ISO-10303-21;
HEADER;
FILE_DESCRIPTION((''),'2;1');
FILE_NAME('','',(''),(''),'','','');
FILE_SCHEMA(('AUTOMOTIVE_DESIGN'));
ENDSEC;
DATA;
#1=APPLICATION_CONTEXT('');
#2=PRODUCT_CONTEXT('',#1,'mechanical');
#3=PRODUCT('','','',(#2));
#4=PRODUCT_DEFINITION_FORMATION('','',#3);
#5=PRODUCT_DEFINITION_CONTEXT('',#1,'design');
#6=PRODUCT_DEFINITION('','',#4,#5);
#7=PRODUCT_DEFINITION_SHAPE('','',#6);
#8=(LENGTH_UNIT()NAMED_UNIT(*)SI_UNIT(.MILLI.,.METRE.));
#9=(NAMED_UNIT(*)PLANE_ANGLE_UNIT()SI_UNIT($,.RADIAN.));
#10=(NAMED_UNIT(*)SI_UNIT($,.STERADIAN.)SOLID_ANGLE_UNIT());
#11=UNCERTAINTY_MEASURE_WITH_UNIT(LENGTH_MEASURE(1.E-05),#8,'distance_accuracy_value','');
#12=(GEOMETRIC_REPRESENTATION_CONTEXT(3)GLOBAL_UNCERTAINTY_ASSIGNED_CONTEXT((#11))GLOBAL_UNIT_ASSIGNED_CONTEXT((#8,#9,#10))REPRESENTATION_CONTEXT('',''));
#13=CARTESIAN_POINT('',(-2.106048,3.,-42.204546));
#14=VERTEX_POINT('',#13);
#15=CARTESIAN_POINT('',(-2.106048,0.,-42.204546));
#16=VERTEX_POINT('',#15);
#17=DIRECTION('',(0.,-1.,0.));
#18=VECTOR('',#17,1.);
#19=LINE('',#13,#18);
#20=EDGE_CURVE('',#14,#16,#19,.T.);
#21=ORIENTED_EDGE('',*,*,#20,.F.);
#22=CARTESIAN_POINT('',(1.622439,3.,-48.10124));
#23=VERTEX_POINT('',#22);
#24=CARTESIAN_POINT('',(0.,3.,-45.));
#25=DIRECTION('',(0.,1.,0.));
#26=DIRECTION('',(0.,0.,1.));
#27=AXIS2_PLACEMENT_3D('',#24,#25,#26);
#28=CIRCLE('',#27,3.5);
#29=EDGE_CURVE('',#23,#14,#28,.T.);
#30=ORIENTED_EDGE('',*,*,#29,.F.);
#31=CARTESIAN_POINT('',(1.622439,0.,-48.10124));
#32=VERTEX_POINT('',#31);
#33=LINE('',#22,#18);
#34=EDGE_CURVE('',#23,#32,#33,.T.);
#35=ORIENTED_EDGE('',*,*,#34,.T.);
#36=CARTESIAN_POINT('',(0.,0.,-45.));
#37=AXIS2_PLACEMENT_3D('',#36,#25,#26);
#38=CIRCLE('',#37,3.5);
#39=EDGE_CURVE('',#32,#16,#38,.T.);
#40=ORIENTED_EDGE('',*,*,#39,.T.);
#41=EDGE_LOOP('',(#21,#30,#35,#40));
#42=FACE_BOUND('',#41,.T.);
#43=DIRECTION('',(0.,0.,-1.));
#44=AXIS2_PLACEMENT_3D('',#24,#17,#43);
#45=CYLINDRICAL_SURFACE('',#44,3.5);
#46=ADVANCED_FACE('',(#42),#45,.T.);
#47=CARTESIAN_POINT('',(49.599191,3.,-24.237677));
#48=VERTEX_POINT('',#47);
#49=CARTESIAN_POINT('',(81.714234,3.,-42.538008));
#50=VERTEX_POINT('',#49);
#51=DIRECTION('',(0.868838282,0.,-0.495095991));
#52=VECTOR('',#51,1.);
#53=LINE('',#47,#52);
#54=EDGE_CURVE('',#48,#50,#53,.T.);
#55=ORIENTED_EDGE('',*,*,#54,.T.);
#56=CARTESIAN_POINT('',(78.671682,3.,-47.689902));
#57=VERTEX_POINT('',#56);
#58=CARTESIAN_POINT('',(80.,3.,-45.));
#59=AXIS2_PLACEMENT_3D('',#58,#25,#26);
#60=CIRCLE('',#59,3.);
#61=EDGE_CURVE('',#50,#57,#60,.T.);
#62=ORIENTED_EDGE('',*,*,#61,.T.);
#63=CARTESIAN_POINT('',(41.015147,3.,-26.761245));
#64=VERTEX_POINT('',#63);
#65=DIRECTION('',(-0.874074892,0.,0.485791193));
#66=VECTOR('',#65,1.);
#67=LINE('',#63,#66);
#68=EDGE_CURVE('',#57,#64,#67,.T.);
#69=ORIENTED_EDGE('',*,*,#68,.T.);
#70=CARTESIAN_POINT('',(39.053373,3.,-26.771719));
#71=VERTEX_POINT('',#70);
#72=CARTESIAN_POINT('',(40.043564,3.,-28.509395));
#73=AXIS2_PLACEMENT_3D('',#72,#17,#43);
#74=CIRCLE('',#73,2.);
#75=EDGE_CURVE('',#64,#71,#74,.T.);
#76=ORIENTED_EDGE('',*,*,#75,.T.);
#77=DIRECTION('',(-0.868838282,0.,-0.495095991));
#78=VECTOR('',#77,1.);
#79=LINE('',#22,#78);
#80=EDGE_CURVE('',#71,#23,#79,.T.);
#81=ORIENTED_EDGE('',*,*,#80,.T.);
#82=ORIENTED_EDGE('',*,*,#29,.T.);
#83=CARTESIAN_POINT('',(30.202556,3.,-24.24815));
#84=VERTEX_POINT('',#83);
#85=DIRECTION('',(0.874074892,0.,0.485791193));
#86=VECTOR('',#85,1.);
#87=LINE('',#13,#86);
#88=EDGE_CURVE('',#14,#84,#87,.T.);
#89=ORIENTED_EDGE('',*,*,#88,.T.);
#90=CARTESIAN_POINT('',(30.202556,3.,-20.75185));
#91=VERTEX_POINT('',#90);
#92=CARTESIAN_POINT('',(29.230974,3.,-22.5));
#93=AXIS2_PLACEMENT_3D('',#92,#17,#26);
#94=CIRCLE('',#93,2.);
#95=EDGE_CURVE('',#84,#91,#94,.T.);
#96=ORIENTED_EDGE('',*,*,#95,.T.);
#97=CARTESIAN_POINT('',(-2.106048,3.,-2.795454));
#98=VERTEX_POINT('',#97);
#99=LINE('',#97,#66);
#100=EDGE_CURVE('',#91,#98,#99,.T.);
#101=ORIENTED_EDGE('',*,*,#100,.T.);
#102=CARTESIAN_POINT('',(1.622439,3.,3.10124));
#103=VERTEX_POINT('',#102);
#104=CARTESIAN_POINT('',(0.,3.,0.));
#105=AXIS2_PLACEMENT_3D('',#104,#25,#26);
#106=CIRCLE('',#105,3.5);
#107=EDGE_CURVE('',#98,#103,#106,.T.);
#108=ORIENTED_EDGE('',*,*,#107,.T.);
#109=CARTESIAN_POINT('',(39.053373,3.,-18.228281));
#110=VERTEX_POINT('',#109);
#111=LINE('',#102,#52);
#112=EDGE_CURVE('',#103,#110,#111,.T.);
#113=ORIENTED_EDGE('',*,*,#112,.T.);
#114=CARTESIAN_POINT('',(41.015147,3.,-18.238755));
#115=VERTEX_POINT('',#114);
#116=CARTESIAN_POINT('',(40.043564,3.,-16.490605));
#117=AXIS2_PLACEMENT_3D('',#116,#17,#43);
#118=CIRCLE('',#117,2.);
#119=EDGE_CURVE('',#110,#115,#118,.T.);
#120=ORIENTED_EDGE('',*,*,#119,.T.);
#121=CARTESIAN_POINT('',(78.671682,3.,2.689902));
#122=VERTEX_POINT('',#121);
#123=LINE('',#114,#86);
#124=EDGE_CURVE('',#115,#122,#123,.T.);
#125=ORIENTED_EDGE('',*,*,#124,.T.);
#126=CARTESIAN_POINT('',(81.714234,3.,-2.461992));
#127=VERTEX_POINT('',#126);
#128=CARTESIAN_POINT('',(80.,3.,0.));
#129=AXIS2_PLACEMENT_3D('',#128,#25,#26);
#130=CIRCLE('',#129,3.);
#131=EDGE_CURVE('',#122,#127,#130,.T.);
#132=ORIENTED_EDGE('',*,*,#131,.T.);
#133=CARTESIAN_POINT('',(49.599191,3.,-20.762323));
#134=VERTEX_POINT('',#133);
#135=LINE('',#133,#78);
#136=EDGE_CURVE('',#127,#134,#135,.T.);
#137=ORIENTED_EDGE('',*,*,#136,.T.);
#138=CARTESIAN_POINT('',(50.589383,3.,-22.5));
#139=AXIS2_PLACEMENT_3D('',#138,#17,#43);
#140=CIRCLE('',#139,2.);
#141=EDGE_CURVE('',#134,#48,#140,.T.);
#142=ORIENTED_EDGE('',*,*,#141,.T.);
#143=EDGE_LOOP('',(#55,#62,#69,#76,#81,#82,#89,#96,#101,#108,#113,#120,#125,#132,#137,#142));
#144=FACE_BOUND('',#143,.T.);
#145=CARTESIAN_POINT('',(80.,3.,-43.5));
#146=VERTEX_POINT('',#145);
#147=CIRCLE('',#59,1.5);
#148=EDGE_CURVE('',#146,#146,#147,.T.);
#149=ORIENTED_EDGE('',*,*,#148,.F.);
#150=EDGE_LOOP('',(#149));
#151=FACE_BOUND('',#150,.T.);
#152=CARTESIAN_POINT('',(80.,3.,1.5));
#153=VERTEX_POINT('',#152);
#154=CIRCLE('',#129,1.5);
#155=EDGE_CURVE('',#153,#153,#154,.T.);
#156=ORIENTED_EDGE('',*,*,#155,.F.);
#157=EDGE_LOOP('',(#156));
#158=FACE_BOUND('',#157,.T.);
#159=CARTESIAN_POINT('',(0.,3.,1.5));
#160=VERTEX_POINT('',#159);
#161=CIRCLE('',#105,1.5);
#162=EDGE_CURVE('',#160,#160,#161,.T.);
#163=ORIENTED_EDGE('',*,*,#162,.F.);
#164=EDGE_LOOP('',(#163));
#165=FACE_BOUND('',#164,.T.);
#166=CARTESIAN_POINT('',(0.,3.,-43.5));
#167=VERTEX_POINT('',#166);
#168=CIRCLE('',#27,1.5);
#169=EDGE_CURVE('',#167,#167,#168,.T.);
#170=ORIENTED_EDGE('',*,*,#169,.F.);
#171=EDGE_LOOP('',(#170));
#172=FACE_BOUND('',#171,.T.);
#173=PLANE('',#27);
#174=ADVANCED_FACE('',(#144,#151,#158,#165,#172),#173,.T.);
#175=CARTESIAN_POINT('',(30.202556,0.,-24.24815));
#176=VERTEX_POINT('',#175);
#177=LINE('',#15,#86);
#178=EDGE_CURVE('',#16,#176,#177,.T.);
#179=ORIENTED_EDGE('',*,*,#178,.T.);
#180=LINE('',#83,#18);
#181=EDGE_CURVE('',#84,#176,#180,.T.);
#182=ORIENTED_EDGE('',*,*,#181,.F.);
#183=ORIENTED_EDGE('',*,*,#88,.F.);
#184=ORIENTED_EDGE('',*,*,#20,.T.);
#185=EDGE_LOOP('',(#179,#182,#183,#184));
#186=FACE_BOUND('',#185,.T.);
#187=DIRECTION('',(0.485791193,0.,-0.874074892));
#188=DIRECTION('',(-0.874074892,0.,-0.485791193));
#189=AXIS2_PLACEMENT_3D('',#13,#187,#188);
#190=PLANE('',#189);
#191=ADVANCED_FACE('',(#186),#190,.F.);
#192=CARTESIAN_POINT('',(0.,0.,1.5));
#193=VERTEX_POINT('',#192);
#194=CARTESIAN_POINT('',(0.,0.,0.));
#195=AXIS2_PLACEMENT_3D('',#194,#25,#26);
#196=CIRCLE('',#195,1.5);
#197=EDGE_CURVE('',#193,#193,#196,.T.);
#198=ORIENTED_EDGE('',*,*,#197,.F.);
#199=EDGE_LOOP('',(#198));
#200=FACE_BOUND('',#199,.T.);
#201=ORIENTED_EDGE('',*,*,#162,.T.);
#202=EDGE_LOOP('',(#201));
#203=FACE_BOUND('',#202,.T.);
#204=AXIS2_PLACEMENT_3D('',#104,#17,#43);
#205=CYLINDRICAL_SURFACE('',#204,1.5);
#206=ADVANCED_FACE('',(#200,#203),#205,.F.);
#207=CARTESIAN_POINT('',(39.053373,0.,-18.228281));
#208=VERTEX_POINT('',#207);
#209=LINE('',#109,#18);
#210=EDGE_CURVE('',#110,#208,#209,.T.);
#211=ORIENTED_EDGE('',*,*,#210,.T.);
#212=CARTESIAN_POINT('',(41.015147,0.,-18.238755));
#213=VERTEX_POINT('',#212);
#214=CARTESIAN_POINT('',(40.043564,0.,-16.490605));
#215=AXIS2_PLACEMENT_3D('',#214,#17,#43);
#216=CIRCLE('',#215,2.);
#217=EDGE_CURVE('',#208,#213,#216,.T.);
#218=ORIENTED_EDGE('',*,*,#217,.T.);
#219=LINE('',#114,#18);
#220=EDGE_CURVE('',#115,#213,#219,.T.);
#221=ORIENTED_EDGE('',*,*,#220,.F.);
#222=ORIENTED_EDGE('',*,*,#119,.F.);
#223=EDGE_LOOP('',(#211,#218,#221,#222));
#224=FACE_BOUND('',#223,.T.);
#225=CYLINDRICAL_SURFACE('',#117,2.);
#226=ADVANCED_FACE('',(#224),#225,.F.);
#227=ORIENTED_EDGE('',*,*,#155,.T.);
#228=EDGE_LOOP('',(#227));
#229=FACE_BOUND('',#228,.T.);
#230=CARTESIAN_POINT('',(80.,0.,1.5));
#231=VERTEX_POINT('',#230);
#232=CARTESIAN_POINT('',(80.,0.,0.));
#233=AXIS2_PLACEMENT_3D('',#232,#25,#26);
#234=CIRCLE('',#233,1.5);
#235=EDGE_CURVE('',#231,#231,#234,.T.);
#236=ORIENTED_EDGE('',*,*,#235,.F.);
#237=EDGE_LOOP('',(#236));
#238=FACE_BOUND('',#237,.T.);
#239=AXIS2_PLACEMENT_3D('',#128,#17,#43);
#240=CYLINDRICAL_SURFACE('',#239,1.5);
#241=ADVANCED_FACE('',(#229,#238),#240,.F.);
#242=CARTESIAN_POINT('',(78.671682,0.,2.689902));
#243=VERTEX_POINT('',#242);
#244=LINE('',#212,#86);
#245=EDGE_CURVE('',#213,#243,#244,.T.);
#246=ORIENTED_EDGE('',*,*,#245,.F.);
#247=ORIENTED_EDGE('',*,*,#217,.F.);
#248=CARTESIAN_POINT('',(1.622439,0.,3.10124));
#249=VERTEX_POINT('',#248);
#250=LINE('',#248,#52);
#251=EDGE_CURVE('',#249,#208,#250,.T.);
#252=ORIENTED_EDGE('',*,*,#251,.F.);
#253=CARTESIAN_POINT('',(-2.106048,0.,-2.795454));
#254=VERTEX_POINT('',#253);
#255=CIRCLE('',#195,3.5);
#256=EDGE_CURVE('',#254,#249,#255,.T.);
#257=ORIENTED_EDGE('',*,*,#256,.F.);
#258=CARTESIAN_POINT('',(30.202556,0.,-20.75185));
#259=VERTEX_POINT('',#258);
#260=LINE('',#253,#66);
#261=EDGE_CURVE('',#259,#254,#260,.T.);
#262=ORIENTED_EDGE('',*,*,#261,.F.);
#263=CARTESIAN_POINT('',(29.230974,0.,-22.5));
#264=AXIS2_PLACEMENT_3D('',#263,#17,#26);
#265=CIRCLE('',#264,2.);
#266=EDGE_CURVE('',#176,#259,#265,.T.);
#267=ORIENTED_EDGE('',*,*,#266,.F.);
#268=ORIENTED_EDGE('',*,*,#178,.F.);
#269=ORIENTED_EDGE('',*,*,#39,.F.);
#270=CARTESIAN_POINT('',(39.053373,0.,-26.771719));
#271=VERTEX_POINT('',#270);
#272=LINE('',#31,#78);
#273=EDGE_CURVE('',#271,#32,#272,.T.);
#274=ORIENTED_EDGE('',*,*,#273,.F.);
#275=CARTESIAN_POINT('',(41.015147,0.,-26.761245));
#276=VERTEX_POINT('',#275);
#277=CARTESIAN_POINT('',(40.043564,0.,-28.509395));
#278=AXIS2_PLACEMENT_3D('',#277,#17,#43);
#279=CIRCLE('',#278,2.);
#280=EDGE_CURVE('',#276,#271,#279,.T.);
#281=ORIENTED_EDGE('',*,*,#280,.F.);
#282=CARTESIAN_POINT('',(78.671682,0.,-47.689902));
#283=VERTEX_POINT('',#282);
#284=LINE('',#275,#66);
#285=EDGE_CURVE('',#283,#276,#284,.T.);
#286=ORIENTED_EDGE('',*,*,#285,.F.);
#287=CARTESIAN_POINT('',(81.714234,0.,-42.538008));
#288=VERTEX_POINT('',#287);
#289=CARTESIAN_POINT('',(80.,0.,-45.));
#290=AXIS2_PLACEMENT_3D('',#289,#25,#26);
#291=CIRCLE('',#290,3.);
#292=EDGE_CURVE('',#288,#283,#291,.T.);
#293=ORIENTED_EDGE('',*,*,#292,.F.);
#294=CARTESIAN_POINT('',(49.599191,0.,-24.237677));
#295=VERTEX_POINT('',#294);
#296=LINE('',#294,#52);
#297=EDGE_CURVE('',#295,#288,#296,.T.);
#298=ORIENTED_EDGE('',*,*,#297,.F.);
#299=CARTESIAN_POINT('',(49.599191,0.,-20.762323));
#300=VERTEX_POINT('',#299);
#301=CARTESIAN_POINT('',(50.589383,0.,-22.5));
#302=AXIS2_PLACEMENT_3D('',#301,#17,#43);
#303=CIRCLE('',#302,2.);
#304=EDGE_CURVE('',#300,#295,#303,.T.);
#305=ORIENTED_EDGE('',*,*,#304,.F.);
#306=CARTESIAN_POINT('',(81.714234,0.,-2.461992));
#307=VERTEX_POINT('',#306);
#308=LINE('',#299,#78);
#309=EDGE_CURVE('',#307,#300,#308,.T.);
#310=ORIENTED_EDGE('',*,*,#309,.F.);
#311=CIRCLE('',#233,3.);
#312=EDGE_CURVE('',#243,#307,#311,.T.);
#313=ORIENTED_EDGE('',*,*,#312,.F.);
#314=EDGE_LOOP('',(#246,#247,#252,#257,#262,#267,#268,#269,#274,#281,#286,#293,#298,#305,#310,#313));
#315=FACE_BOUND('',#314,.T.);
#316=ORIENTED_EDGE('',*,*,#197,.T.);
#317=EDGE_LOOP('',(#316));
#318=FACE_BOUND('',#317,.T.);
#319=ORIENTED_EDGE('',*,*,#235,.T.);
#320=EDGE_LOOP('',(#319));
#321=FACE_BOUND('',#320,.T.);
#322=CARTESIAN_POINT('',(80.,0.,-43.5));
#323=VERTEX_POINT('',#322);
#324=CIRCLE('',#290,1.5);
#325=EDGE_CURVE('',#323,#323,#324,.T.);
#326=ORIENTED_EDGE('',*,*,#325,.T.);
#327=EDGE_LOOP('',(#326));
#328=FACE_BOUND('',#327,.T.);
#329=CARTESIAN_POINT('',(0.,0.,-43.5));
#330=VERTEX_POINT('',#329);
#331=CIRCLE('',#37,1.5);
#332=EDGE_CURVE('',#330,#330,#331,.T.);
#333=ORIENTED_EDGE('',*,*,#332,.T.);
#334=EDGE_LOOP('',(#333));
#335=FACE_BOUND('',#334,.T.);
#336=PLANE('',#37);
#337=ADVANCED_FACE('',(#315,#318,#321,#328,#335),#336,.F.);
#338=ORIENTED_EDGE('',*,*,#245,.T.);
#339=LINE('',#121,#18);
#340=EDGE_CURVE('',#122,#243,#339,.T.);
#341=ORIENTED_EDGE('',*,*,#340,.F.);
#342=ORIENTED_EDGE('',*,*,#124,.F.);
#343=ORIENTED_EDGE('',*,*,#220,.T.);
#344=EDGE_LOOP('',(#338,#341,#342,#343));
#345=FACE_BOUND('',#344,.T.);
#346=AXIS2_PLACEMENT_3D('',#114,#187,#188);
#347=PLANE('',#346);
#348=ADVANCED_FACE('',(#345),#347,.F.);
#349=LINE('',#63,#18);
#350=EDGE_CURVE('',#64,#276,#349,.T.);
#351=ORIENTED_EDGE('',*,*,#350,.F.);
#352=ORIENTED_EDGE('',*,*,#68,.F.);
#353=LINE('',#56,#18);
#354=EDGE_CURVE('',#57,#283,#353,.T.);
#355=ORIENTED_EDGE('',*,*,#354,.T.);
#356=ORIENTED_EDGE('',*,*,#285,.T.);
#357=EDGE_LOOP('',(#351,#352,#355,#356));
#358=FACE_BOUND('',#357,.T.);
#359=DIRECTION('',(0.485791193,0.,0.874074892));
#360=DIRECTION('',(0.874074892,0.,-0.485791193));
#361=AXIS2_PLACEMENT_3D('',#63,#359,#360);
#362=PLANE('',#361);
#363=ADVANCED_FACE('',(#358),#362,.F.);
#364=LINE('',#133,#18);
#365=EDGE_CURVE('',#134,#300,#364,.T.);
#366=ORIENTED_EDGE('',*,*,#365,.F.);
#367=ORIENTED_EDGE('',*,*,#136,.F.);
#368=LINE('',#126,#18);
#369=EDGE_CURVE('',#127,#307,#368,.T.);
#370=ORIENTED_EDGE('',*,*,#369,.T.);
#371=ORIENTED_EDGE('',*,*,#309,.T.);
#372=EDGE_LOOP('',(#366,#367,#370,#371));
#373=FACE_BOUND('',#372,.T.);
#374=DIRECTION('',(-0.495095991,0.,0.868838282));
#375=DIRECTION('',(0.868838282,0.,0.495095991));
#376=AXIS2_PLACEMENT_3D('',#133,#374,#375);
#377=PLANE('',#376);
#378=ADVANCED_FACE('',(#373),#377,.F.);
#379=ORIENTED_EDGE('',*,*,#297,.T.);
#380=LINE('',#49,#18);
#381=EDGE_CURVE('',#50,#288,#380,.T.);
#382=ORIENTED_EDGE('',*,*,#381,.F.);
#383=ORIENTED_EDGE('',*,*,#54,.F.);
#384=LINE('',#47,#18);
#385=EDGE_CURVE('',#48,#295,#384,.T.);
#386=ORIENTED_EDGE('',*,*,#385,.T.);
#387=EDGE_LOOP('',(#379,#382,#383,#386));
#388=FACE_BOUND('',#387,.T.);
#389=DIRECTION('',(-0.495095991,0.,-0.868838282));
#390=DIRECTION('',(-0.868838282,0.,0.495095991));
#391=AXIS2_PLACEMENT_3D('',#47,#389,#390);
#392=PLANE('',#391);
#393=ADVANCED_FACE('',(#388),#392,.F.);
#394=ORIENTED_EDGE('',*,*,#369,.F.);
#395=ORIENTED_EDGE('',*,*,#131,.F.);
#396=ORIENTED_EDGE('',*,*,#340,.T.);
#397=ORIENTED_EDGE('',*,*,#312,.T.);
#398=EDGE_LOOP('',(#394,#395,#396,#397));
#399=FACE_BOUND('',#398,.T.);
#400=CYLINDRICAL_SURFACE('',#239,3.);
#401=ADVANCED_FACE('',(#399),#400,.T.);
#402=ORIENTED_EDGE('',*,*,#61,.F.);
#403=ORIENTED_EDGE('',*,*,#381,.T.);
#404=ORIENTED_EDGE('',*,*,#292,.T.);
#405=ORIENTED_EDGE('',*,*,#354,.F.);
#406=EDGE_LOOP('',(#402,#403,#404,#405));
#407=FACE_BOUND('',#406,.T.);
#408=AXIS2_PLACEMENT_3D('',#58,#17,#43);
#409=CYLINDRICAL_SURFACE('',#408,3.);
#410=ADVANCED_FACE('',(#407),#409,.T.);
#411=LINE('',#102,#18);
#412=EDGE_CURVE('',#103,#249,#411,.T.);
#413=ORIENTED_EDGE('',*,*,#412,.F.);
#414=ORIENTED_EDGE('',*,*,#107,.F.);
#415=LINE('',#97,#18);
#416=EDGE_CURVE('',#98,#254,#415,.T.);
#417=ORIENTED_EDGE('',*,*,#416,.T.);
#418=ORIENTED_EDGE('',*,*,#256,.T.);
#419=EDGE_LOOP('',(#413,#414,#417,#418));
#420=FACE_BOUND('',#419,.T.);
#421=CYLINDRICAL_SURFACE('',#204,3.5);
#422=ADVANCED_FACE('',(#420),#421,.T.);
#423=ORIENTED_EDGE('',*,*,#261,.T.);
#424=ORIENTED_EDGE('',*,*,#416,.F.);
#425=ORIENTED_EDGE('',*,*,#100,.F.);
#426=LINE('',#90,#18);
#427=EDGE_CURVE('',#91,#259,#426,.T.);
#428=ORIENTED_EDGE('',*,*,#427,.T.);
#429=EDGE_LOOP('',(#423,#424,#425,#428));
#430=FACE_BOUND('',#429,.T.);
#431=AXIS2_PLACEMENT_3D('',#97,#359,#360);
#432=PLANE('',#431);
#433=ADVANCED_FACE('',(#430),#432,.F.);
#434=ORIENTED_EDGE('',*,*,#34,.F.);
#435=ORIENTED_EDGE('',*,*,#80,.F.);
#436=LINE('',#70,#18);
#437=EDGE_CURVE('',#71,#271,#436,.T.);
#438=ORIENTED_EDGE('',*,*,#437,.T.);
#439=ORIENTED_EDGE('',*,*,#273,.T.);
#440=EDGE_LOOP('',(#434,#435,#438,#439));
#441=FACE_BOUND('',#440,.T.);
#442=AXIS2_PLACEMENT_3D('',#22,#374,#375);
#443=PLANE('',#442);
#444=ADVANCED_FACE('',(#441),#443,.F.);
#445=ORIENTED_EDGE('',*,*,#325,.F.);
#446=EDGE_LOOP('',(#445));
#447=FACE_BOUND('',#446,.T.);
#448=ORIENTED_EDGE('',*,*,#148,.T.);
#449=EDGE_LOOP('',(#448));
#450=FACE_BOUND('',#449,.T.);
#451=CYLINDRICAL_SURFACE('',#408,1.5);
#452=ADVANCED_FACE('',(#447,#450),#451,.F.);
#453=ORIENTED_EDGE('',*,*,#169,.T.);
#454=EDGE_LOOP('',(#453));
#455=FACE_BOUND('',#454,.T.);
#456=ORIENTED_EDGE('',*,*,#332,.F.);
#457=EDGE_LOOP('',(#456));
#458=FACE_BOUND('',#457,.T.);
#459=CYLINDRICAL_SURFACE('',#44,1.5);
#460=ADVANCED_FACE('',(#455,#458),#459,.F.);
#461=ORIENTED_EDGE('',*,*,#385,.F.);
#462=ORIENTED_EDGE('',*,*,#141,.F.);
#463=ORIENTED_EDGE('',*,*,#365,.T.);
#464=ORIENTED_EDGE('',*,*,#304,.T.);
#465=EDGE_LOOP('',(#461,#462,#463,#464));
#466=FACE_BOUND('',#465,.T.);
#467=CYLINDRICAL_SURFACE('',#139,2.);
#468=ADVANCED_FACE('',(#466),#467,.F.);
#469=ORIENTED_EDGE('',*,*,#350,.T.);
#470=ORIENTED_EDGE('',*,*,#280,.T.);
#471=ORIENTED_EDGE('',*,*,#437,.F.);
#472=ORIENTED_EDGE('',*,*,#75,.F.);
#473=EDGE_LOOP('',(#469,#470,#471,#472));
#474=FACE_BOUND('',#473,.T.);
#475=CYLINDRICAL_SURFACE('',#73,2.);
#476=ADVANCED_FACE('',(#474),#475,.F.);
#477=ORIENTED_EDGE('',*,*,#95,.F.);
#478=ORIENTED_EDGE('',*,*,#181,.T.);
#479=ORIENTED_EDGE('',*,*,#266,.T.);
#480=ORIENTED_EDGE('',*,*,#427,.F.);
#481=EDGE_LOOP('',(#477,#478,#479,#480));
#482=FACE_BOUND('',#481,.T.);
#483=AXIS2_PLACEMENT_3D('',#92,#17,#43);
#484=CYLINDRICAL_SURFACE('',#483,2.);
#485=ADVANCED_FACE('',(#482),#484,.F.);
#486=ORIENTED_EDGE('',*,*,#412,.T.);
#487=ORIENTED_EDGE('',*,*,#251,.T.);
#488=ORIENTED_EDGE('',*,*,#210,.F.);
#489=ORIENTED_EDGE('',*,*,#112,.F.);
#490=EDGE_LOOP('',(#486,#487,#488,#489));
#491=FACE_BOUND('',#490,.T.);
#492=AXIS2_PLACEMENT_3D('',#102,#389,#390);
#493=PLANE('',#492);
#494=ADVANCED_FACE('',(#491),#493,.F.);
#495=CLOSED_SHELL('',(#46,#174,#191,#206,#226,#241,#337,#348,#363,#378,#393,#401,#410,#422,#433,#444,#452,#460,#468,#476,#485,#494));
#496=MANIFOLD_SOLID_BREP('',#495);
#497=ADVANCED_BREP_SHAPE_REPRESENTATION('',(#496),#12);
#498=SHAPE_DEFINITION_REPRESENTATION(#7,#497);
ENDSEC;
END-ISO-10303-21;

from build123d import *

# Parameters (mm, degrees)
SKETCH1_R           = 1.5
BOSS_EXTRUDE1_DEPTH = 3


with BuildPart() as part:
    # Sketch1 → Boss-Extrude1 (new body)
    with BuildSketch(Plane(origin=(0, 0, 0), x_dir=(1, 0, 0), z_dir=(0, 1, 0))):
        with BuildLine():
            Line((1.622439175, 48.101240256), (39.053372501, 26.771718527))
            ThreePointArc((39.053372501, 26.771718527), (40.032887341, 26.509423591), (41.015146868, 26.761245306))
            Line((41.015146868, 26.761245306), (78.67168168, 47.689901567))
            ThreePointArc((78.67168168, 47.689901567), (82.583163512, 46.525538027), (81.7142336, 42.538008293))
            Line((81.7142336, 42.538008293), (49.599191101, 24.237676564))
            ThreePointArc((49.599191101, 24.237676564), (48.589383082, 22.5), (49.599191101, 20.762323436))
            Line((49.599191101, 20.762323436), (81.7142336, 2.461991707))
            ThreePointArc((81.7142336, 2.461991707), (82.583163512, -1.525538027), (78.67168168, -2.689901567))
            Line((78.67168168, -2.689901567), (41.015146868, 18.238754694))
            ThreePointArc((41.015146868, 18.238754694), (40.032887341, 18.490576409), (39.053372501, 18.228281473))
            Line((39.053372501, 18.228281473), (1.622439175, -3.101240256))
            ThreePointArc((1.622439175, -3.101240256), (-2.958245931, -1.870502877), (-2.106048262, 2.79545358))
            Line((-2.106048262, 2.79545358), (30.202556102, 20.751850216))
            ThreePointArc((30.202556102, 20.751850216), (31.230973717, 22.5), (30.202556102, 24.248149784))
            Line((30.202556102, 24.248149784), (-2.106048262, 42.20454642))
            ThreePointArc((-2.106048262, 42.20454642), (-2.958245931, 46.870502877), (1.622439175, 48.101240256))
        make_face()
        with Locations(Location((0, 45, 0), (0, 0, 270))):
            Circle(SKETCH1_R, mode=Mode.SUBTRACT)
        with Locations(Location((80, 45, 0), (0, 0, 270))):
            Circle(SKETCH1_R, mode=Mode.SUBTRACT)
        with Locations(Location((80, 0, 0), (0, 0, 270))):
            Circle(SKETCH1_R, mode=Mode.SUBTRACT)
        with Locations(Location((0, 0, 0), (0, 0, 270))):
            Circle(SKETCH1_R, mode=Mode.SUBTRACT)
    extrude(amount=BOSS_EXTRUDE1_DEPTH)


solid = part.part
